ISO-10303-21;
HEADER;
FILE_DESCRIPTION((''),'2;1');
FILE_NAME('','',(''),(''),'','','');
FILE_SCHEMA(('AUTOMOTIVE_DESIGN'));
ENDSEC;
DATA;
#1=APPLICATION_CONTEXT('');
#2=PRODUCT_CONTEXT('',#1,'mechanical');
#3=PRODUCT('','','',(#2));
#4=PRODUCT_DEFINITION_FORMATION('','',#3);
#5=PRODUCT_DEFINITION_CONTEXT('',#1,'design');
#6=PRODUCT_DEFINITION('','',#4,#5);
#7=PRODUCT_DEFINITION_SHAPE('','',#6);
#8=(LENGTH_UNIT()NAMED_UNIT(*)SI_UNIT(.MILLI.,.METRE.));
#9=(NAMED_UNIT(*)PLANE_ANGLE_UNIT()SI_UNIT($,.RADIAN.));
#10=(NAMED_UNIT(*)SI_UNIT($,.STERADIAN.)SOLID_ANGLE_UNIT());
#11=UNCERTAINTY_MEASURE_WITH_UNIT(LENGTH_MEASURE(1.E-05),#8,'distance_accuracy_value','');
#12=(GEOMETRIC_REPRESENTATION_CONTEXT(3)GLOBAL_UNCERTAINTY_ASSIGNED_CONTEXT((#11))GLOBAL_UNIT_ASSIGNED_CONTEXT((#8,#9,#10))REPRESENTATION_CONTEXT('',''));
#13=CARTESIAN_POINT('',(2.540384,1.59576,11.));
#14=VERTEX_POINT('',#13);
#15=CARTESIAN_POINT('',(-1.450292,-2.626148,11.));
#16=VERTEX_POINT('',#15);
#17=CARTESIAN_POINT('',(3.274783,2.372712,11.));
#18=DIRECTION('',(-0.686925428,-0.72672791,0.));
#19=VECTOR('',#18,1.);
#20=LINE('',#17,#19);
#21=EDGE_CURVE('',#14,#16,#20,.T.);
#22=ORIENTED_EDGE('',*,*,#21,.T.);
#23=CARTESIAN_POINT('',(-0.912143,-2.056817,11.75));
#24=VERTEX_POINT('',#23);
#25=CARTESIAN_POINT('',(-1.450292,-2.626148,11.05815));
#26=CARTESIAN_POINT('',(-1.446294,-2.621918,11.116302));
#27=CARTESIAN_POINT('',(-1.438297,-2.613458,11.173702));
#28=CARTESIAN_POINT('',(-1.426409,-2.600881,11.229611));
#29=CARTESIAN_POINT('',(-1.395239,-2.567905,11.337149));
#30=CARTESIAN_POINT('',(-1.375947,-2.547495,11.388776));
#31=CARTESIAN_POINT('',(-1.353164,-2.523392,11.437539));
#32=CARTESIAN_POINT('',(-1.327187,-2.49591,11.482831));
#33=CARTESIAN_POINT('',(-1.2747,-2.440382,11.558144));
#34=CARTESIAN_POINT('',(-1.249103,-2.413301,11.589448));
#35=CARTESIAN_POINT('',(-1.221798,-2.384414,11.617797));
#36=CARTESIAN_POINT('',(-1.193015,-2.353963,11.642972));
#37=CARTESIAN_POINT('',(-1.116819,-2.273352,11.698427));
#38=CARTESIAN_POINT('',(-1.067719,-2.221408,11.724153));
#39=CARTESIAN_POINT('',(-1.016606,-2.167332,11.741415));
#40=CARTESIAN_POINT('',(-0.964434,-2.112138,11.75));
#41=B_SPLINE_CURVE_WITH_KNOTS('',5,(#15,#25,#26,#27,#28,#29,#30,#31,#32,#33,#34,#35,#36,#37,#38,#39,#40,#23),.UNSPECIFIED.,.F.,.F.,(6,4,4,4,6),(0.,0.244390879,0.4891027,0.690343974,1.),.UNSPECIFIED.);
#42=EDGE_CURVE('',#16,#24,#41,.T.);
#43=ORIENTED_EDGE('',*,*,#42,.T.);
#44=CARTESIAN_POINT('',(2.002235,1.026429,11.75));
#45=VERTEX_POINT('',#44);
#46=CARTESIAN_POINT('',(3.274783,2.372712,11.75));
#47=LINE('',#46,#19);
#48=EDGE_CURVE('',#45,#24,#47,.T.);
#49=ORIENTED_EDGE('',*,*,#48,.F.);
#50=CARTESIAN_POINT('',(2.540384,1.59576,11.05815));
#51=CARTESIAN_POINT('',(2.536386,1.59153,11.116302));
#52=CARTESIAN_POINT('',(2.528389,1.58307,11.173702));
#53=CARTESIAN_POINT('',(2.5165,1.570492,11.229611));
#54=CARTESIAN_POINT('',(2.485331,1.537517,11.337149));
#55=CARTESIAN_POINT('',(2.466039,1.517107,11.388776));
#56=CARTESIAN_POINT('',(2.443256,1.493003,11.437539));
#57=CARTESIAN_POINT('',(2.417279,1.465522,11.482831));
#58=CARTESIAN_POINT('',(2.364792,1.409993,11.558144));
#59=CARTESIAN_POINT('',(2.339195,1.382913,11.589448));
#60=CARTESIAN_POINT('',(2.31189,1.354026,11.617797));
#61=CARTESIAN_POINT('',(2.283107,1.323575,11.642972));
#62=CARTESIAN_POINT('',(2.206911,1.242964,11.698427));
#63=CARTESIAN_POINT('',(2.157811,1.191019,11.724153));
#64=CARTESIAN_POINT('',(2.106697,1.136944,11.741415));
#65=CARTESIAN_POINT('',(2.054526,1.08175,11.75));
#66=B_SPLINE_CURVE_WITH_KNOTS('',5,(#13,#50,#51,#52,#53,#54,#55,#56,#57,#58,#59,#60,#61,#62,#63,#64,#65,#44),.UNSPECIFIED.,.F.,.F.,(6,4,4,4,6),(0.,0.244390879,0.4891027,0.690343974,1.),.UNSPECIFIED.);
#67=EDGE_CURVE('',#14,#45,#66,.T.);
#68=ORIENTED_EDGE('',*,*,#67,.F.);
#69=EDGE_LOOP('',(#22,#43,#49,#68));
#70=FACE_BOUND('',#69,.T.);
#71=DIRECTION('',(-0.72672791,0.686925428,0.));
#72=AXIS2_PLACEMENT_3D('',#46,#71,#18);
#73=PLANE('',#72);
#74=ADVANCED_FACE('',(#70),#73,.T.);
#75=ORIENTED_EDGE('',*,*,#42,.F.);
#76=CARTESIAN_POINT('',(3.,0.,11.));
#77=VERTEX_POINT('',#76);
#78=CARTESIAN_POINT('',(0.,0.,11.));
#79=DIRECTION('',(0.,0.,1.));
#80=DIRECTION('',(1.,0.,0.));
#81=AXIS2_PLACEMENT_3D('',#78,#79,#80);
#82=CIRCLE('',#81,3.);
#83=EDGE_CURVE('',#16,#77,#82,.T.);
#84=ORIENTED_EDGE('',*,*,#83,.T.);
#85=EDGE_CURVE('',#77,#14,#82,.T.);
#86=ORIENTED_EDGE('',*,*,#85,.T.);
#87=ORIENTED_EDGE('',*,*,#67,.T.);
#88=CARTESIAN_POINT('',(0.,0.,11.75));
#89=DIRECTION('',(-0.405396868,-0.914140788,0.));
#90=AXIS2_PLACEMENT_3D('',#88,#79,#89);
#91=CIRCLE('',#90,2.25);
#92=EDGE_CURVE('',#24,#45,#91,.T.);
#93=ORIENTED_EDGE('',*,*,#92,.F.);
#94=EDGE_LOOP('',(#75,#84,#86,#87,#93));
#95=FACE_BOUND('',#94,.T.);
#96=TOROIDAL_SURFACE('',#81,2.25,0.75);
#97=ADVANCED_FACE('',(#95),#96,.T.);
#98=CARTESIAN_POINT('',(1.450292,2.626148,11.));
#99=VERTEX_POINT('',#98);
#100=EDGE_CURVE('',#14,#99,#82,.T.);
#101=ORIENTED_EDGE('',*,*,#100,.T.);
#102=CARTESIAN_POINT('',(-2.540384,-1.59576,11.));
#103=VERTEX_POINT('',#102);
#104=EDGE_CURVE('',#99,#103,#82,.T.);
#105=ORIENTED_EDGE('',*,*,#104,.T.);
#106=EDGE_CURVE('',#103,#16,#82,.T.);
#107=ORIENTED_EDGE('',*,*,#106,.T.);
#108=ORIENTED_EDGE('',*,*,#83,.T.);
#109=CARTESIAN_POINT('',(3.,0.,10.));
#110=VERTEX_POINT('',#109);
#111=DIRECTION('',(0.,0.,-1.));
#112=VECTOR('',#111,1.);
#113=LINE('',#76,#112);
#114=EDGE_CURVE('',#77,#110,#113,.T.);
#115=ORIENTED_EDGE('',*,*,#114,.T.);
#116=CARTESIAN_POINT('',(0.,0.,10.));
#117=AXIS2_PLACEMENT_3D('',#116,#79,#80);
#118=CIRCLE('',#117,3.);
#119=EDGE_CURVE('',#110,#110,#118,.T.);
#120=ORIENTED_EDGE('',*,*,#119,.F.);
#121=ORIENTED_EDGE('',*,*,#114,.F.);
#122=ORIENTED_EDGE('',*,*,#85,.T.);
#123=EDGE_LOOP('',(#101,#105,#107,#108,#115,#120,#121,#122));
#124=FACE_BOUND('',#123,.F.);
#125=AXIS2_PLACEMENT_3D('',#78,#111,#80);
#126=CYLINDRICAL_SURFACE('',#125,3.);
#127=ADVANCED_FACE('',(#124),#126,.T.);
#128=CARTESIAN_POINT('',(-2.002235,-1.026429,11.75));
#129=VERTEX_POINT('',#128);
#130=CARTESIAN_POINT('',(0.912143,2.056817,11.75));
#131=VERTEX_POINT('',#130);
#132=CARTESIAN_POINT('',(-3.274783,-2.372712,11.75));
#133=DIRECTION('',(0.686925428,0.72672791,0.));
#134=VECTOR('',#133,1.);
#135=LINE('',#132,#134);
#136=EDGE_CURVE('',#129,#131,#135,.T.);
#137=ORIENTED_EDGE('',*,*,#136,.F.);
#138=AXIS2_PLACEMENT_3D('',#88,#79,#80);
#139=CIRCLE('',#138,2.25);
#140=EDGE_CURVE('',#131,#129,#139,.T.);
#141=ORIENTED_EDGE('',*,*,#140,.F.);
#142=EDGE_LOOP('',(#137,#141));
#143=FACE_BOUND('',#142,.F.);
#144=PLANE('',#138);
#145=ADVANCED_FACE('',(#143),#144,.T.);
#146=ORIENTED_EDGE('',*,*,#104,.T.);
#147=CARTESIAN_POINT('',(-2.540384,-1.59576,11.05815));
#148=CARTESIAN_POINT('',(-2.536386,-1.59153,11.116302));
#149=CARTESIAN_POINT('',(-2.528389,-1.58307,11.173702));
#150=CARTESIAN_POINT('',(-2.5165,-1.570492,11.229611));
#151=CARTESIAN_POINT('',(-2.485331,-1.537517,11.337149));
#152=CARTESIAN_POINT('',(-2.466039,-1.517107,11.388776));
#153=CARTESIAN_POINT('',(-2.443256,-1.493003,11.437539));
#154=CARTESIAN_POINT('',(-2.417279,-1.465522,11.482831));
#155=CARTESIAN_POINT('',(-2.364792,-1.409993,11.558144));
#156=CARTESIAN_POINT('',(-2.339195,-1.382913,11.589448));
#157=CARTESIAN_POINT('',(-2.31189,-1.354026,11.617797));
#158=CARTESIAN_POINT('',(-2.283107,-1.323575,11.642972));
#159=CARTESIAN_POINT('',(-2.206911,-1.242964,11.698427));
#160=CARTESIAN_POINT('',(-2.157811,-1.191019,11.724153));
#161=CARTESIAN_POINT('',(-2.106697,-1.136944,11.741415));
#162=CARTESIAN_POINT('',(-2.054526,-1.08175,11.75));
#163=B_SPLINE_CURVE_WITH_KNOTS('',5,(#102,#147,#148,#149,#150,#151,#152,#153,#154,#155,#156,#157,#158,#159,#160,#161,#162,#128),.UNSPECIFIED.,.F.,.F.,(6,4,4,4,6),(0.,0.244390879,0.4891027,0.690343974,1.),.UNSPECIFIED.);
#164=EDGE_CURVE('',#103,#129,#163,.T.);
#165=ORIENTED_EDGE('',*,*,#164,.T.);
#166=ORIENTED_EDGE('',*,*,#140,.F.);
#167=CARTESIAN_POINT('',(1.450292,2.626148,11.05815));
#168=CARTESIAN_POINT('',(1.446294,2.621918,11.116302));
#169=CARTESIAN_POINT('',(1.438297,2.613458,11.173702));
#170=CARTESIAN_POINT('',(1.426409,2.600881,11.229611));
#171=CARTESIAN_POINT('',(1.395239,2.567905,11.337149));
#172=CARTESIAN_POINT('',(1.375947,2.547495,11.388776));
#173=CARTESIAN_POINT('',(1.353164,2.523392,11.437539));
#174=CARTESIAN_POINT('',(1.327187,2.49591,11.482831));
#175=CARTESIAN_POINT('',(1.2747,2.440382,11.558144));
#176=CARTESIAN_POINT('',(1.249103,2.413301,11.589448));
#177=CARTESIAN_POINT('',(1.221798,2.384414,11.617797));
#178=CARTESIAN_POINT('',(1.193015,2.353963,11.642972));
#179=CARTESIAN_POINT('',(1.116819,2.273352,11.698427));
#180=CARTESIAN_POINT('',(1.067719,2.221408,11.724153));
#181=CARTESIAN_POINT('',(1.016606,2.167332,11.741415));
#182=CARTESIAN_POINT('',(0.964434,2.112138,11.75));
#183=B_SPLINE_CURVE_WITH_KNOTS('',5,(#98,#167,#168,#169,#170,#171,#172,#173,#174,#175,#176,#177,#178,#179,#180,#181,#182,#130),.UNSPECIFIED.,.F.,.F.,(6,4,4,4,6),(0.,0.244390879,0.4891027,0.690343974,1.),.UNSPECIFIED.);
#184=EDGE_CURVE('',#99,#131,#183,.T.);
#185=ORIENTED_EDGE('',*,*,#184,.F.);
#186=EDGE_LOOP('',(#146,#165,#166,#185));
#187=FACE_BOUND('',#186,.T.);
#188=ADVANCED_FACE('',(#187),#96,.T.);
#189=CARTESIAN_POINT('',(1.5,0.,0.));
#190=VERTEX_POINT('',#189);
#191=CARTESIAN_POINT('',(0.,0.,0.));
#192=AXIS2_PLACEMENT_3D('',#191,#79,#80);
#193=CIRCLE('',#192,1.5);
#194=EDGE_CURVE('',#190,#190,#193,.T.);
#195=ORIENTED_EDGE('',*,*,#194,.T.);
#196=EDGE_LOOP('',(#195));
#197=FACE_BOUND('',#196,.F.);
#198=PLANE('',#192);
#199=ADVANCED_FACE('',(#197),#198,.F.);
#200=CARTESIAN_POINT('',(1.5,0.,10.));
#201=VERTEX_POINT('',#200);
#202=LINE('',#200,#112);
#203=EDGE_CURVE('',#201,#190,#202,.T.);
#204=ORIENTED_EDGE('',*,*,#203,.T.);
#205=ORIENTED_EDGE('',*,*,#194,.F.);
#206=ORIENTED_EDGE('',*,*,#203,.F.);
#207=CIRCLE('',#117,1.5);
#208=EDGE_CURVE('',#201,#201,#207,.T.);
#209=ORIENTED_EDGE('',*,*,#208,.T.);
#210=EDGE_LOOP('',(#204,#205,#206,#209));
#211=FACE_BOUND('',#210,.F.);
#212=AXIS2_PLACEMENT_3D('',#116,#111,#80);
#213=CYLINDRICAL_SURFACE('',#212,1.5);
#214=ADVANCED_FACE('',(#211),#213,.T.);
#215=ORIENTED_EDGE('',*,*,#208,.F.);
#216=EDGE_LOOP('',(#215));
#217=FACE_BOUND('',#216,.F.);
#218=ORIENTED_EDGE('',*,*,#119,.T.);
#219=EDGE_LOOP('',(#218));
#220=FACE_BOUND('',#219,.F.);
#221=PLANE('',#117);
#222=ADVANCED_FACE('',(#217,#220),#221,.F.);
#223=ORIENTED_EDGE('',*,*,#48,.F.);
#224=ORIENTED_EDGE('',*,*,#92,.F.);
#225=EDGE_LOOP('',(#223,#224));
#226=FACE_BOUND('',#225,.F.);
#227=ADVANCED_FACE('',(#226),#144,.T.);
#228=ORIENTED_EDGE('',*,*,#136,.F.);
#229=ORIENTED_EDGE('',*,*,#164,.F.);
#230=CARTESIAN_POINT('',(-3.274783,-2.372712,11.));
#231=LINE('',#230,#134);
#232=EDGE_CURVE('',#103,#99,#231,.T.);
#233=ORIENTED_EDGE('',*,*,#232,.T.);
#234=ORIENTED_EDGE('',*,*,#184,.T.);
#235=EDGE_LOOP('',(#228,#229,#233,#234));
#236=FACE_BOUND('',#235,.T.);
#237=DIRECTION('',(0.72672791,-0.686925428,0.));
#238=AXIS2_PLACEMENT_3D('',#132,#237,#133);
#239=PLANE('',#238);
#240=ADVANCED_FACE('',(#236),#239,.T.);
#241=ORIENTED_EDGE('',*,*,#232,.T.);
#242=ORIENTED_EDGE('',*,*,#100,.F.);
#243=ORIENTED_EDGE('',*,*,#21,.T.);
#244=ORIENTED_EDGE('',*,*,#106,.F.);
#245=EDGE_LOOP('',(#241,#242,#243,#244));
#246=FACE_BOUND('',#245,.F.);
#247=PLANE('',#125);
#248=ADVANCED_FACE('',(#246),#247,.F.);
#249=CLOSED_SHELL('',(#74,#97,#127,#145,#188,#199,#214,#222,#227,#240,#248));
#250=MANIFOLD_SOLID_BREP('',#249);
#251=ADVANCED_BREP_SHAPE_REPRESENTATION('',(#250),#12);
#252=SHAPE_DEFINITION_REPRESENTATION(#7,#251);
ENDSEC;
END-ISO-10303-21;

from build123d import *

# Parameters (mm, degrees)
POCKET_DEPTH = 0.75


with BuildPart() as part:
    # Sketch → Revolution (revolve)
    with BuildSketch(Plane.XZ):
        with BuildLine():
            Line((0, 0), (0, 11.75))
            Line((0, 11.75), (2.25, 11.75))
            ThreePointArc((3, 11), (2.78033, 11.53033), (2.25, 11.75))
            Line((3, 11), (3, 10))
            Line((3, 10), (1.5, 10))
            Line((1.5, 10), (1.5, 0))
            Line((1.5, 0), (0, 0))
        make_face()
    revolve(axis=Axis((0, 0, 0), (0, 0, 1)))

    # Sketch001 (on Face5 of Revolution) → Pocket (cut)
    with BuildSketch(Plane(origin=(0, 0, 11.75), x_dir=(-1, 0, 0), z_dir=(0, 0, 1))):
        Polygon((-3.274783, -2.372712), (2.184691, 3.4031), (3.274783, 2.372712), (-2.184691, -3.4031), align=None)
    extrude(amount=-POCKET_DEPTH, mode=Mode.SUBTRACT)


solid = part.part
